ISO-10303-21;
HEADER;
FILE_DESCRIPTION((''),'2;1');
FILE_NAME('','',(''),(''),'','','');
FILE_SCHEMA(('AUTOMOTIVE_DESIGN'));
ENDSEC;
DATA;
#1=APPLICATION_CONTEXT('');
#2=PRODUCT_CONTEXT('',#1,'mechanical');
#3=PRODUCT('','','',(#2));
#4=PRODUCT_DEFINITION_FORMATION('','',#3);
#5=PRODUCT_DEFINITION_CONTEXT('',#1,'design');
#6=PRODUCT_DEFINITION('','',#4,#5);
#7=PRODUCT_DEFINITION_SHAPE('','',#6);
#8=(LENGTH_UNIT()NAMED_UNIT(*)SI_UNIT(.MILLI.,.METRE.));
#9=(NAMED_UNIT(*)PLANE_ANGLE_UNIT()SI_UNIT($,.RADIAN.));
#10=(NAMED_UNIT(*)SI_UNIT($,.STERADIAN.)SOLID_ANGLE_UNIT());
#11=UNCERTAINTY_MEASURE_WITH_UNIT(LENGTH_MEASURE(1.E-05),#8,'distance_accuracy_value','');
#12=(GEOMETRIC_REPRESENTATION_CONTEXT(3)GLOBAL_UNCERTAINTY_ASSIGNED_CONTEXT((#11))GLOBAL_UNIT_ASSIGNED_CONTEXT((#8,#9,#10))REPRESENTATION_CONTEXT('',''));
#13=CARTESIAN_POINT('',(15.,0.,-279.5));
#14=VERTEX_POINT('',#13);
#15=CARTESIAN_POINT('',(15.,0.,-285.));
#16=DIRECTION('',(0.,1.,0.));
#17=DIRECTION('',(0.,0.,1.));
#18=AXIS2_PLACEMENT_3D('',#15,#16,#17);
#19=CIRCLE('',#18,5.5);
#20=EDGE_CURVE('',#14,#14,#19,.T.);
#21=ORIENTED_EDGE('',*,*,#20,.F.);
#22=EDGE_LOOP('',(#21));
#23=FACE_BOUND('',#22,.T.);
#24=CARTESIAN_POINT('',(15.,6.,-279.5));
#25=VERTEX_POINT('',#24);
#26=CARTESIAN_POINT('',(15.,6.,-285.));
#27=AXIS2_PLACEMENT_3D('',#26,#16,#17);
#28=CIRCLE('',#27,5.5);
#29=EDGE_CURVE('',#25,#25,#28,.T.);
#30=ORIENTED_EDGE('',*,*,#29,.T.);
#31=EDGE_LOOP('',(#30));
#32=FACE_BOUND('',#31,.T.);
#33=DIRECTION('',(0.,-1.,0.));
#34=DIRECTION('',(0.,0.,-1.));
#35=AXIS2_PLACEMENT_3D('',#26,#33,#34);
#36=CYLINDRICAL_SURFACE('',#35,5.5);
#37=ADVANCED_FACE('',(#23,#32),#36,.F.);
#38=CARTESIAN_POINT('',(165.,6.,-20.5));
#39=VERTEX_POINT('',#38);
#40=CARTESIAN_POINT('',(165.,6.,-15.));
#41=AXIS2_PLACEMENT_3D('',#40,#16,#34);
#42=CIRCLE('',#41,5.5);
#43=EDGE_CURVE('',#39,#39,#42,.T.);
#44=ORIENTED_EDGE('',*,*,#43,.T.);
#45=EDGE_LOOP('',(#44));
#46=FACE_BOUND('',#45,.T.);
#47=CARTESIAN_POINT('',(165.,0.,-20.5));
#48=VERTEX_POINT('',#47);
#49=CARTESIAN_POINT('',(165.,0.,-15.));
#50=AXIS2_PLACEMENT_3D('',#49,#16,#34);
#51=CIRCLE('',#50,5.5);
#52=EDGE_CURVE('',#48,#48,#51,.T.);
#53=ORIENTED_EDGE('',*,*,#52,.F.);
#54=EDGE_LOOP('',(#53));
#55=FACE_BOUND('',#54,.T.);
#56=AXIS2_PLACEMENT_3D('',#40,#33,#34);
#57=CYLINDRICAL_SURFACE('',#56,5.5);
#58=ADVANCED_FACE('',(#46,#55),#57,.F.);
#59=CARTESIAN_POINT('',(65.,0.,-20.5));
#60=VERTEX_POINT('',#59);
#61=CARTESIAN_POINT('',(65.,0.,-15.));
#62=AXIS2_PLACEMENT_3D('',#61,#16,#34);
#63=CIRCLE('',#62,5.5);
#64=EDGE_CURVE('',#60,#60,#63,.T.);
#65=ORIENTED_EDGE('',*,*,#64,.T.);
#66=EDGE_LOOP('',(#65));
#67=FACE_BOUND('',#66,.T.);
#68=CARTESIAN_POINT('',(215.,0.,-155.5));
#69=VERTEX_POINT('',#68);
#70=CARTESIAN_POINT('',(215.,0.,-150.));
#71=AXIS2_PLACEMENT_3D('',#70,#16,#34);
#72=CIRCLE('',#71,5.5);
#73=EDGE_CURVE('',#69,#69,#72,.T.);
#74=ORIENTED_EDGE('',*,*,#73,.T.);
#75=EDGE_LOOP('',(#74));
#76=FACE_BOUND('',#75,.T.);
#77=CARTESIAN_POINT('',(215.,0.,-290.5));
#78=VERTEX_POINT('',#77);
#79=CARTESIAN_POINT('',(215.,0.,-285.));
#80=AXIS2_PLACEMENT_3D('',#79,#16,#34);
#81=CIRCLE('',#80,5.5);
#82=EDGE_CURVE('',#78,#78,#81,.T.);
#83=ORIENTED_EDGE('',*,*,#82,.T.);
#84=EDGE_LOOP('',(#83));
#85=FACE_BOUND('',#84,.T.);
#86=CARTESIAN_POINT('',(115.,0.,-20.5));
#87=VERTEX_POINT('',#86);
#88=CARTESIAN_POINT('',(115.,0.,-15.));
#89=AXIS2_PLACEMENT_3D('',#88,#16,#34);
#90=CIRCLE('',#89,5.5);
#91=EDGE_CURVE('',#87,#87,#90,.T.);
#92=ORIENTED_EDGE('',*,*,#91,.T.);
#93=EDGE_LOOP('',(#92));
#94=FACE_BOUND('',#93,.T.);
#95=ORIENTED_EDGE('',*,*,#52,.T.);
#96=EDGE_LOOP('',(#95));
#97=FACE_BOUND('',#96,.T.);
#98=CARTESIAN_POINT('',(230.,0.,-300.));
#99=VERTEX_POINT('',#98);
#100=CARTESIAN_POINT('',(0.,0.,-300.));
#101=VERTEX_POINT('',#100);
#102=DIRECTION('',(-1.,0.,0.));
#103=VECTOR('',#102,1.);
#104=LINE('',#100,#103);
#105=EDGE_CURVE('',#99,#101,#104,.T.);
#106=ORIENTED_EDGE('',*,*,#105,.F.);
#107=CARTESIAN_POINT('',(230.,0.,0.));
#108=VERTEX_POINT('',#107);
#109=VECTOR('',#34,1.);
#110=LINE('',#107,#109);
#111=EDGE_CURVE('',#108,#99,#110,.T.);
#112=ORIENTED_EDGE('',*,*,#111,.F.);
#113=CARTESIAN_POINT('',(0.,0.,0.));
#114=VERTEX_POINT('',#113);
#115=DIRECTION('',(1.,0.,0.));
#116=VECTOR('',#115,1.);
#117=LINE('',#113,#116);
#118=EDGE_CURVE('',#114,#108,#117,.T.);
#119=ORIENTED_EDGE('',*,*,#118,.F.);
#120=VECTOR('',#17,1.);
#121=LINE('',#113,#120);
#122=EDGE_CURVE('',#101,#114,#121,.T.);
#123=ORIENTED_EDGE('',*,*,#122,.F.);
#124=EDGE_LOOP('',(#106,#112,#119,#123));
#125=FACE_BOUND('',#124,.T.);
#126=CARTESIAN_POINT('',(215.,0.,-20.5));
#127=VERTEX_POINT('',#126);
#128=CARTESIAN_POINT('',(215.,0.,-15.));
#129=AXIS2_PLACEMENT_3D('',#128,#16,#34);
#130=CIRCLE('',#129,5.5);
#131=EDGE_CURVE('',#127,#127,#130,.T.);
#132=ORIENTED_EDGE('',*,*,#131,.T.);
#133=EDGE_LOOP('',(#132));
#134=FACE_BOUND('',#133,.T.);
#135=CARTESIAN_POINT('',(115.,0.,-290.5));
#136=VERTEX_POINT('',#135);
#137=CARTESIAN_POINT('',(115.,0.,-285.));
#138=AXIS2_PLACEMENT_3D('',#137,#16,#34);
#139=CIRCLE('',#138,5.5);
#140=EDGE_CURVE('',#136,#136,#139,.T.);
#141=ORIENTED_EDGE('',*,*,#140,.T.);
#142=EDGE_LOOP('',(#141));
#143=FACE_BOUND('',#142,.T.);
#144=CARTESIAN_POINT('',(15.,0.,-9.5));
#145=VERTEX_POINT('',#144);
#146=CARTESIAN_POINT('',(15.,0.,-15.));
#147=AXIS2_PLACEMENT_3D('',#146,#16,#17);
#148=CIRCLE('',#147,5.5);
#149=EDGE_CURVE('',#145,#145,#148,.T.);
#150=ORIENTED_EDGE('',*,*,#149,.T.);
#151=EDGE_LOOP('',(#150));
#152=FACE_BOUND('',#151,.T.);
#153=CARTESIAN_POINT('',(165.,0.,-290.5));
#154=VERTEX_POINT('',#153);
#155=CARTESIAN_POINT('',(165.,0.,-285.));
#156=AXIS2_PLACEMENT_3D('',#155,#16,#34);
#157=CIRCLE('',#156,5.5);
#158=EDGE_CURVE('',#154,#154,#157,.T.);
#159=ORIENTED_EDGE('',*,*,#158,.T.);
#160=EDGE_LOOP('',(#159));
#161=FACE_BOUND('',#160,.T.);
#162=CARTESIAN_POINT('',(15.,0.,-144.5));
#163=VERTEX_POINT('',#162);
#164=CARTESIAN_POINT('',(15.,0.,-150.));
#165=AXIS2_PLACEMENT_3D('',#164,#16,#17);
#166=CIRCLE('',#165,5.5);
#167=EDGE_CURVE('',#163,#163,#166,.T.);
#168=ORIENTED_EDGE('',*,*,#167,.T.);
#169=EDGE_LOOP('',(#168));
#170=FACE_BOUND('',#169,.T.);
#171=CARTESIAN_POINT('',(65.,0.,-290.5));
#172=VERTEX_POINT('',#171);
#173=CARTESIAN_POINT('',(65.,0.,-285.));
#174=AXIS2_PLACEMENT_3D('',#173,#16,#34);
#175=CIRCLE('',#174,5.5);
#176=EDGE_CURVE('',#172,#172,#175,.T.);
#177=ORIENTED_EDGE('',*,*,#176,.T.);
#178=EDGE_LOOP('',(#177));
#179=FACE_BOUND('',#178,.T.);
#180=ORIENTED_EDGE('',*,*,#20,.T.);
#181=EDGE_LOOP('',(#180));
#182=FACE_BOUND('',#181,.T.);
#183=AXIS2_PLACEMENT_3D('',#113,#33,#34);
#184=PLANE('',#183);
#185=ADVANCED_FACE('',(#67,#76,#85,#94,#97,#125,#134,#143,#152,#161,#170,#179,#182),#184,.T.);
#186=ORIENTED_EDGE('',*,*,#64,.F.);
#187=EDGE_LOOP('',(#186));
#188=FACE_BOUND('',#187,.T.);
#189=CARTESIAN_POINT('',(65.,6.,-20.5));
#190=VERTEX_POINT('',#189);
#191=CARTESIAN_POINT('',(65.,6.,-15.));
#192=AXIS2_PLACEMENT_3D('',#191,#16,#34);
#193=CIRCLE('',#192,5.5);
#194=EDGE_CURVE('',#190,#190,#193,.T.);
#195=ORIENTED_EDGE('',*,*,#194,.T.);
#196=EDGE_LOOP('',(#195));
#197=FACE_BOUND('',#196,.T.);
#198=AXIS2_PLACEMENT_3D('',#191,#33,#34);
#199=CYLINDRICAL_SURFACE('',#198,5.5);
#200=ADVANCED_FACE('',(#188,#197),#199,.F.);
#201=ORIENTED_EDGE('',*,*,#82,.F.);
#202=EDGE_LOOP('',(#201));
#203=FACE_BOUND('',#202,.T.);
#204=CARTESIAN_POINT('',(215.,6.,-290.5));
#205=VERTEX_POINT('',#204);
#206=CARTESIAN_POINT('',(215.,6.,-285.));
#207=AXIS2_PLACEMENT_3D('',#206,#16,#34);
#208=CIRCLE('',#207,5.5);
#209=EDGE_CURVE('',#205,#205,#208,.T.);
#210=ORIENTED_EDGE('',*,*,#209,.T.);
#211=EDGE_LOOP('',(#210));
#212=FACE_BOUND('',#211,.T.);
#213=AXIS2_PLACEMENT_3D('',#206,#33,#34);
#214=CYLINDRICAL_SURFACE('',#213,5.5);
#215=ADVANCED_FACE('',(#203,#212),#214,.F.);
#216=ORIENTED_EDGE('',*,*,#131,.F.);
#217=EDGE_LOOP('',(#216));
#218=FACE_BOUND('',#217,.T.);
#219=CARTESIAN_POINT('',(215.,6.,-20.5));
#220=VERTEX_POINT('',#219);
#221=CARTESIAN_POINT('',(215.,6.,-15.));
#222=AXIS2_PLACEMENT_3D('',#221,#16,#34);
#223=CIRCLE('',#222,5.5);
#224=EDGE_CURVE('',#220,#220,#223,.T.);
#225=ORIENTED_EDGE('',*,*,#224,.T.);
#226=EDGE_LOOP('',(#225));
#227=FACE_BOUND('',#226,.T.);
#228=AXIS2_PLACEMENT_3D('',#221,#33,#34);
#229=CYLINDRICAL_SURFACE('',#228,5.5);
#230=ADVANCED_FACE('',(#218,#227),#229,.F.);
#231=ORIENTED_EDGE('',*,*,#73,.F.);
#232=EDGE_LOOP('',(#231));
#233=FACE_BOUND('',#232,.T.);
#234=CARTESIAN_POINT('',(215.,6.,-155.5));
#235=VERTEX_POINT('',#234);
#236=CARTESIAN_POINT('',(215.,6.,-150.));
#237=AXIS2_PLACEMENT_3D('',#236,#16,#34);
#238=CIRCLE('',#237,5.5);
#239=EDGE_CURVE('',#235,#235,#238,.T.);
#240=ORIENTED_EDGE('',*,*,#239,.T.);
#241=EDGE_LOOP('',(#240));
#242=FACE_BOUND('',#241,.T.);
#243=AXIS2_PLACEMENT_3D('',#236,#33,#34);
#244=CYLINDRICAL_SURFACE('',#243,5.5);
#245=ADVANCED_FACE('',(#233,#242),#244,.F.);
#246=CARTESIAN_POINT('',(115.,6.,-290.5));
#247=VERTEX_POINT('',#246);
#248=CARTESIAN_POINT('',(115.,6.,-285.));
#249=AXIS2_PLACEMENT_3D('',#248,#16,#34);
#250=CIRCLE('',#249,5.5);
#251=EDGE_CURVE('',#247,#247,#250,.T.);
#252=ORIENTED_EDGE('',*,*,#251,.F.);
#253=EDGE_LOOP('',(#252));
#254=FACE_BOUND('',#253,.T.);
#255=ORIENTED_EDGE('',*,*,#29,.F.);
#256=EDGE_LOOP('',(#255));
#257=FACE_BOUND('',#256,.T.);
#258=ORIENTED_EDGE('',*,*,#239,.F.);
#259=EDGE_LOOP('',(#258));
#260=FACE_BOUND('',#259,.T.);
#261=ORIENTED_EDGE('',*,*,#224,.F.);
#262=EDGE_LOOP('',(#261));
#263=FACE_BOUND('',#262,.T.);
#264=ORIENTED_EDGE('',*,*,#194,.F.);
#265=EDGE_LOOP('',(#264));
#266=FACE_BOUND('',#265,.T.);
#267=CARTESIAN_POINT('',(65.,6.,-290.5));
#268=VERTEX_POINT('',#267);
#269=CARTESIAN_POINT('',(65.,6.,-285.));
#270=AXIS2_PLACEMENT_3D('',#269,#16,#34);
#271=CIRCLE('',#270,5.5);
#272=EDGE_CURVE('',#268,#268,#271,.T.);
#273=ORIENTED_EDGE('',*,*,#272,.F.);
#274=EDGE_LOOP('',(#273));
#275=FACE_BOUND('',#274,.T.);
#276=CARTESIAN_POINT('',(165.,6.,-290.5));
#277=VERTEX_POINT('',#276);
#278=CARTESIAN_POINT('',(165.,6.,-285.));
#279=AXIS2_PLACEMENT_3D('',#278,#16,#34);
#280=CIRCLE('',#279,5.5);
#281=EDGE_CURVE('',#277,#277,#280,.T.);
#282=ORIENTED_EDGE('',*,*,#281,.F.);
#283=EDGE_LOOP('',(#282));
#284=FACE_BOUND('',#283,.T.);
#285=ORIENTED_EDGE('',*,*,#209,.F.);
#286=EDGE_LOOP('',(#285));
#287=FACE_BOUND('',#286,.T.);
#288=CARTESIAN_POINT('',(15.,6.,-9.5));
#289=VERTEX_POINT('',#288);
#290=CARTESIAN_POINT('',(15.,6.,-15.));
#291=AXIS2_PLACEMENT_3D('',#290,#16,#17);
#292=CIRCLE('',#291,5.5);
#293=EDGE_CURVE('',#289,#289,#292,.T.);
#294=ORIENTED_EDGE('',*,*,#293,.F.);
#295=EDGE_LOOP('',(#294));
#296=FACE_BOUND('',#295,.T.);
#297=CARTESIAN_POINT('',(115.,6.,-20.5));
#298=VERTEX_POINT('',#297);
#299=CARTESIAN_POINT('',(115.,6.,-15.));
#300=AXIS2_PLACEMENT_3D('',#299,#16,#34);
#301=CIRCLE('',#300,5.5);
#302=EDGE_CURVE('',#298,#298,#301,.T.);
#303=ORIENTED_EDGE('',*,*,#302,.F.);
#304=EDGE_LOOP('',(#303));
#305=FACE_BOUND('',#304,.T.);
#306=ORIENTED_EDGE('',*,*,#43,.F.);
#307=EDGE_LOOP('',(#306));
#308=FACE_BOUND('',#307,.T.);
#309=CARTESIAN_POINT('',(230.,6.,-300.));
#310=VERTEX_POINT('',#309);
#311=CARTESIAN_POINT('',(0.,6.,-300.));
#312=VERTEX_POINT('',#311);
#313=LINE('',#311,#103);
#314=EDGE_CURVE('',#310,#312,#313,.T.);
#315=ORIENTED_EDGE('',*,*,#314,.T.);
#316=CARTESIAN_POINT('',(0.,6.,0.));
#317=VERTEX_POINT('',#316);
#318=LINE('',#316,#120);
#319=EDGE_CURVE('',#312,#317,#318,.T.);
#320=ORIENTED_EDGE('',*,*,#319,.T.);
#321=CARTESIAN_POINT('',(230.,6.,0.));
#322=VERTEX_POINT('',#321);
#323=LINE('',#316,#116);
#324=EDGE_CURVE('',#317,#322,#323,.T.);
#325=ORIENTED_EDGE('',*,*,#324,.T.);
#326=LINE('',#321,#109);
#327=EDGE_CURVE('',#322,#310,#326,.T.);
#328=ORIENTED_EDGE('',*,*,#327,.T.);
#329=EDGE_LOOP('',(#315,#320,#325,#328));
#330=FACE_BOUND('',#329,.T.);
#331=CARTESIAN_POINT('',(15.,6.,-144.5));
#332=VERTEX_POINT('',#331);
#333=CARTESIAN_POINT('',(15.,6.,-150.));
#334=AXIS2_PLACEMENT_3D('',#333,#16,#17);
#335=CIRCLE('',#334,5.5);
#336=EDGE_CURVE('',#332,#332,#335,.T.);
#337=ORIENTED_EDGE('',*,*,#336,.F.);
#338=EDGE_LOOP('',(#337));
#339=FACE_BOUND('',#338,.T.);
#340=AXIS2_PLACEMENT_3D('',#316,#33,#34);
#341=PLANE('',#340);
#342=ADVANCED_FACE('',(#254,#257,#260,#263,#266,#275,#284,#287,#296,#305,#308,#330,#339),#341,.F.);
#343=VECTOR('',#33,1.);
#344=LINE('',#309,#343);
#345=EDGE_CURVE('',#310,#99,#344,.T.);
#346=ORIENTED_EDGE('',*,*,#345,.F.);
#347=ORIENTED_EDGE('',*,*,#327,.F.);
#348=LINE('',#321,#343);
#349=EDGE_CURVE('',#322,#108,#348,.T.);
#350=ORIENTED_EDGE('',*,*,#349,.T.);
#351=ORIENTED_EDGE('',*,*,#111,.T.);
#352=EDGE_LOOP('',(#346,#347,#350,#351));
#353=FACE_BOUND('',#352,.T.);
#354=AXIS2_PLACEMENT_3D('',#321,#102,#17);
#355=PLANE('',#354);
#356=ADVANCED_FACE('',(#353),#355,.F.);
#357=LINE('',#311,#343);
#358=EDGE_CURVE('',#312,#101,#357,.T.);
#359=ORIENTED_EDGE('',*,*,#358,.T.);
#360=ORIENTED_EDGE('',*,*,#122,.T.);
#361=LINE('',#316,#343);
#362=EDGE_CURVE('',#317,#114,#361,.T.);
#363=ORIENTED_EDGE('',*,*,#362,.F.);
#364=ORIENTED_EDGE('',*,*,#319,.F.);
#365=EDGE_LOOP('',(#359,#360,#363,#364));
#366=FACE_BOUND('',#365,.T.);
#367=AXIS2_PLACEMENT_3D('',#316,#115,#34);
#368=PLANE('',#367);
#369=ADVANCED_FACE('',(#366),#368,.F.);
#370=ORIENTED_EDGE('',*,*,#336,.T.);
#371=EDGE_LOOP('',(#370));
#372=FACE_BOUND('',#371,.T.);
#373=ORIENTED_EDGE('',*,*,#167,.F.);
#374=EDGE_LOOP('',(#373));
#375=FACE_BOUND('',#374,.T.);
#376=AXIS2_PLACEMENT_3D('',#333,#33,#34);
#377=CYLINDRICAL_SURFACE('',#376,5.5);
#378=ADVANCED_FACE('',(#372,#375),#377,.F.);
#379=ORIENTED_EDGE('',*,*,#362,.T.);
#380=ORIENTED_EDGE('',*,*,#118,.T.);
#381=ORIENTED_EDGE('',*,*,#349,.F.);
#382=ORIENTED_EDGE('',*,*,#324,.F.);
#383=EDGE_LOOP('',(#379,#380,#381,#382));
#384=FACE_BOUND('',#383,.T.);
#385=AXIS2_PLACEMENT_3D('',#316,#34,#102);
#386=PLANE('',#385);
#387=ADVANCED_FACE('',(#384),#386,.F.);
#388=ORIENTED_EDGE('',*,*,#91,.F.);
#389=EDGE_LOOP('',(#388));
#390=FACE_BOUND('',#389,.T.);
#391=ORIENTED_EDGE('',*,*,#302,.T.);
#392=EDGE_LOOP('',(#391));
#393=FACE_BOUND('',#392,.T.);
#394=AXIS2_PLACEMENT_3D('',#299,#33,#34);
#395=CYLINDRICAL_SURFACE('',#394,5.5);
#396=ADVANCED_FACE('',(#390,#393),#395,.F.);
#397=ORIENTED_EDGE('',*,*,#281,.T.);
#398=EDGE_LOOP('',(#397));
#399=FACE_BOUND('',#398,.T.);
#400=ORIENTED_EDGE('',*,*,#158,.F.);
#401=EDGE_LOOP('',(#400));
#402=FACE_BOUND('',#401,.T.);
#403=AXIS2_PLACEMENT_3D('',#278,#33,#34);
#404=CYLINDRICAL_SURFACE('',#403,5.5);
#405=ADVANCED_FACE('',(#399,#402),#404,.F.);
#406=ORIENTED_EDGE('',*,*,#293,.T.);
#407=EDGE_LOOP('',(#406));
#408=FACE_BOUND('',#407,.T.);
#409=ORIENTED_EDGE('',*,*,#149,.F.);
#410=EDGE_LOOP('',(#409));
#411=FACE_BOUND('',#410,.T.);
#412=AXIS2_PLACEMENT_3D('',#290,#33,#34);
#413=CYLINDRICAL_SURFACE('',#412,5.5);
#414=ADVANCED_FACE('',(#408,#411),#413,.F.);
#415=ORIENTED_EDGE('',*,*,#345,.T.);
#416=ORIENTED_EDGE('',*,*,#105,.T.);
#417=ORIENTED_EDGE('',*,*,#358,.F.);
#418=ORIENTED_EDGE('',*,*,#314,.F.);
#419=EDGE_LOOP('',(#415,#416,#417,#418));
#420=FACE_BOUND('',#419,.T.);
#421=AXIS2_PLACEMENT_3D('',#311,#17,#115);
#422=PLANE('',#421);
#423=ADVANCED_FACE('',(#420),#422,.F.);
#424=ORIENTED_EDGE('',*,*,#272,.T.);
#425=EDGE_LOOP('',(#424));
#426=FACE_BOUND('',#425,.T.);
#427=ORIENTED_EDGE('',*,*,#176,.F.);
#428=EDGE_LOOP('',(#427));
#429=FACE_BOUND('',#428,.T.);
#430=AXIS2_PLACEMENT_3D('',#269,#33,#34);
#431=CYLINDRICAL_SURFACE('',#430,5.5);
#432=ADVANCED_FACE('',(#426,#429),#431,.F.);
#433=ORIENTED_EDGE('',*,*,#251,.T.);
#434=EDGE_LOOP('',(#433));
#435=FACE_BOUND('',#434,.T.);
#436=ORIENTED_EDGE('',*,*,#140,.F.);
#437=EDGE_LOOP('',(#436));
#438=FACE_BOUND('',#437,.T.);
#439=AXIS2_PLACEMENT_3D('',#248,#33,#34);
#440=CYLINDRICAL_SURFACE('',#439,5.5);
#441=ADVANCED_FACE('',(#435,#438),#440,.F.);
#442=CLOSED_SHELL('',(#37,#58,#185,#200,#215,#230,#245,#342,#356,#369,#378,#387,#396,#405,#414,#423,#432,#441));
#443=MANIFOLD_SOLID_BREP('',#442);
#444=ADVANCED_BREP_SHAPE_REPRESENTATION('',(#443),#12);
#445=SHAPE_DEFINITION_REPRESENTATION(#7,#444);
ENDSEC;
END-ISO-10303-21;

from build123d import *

# Parameters (mm, degrees)
SKETCH1_W           = 230
SKETCH1_H           = 300
SKETCH1_R           = 5.5
BOSS_EXTRUDE1_DEPTH = 6


with BuildPart() as part:
    # Sketch1 → Boss-Extrude1 (new body)
    with BuildSketch(Plane(origin=(0, 0, 0), x_dir=(1, 0, 0), z_dir=(0, 1, 0))):
        with Locations((115, 150)):
            Rectangle(SKETCH1_W, SKETCH1_H)
        with Locations((15, 15)):
            Circle(SKETCH1_R, mode=Mode.SUBTRACT)
        with Locations((15, 285)):
            Circle(SKETCH1_R, mode=Mode.SUBTRACT)
        with Locations((15, 150)):
            Circle(SKETCH1_R, mode=Mode.SUBTRACT)
        with Locations((215, 15)):
            Circle(SKETCH1_R, mode=Mode.SUBTRACT)
        with Locations((215, 150)):
            Circle(SKETCH1_R, mode=Mode.SUBTRACT)
        with Locations((215, 285)):
            Circle(SKETCH1_R, mode=Mode.SUBTRACT)
        with Locations((165, 15)):
            Circle(SKETCH1_R, mode=Mode.SUBTRACT)
        with Locations((115, 15)):
            Circle(SKETCH1_R, mode=Mode.SUBTRACT)
        with Locations((65, 15)):
            Circle(SKETCH1_R, mode=Mode.SUBTRACT)
        with Locations((165, 285)):
            Circle(SKETCH1_R, mode=Mode.SUBTRACT)
        with Locations((115, 285)):
            Circle(SKETCH1_R, mode=Mode.SUBTRACT)
        with Locations((65, 285)):
            Circle(SKETCH1_R, mode=Mode.SUBTRACT)
    extrude(amount=BOSS_EXTRUDE1_DEPTH)


solid = part.part
